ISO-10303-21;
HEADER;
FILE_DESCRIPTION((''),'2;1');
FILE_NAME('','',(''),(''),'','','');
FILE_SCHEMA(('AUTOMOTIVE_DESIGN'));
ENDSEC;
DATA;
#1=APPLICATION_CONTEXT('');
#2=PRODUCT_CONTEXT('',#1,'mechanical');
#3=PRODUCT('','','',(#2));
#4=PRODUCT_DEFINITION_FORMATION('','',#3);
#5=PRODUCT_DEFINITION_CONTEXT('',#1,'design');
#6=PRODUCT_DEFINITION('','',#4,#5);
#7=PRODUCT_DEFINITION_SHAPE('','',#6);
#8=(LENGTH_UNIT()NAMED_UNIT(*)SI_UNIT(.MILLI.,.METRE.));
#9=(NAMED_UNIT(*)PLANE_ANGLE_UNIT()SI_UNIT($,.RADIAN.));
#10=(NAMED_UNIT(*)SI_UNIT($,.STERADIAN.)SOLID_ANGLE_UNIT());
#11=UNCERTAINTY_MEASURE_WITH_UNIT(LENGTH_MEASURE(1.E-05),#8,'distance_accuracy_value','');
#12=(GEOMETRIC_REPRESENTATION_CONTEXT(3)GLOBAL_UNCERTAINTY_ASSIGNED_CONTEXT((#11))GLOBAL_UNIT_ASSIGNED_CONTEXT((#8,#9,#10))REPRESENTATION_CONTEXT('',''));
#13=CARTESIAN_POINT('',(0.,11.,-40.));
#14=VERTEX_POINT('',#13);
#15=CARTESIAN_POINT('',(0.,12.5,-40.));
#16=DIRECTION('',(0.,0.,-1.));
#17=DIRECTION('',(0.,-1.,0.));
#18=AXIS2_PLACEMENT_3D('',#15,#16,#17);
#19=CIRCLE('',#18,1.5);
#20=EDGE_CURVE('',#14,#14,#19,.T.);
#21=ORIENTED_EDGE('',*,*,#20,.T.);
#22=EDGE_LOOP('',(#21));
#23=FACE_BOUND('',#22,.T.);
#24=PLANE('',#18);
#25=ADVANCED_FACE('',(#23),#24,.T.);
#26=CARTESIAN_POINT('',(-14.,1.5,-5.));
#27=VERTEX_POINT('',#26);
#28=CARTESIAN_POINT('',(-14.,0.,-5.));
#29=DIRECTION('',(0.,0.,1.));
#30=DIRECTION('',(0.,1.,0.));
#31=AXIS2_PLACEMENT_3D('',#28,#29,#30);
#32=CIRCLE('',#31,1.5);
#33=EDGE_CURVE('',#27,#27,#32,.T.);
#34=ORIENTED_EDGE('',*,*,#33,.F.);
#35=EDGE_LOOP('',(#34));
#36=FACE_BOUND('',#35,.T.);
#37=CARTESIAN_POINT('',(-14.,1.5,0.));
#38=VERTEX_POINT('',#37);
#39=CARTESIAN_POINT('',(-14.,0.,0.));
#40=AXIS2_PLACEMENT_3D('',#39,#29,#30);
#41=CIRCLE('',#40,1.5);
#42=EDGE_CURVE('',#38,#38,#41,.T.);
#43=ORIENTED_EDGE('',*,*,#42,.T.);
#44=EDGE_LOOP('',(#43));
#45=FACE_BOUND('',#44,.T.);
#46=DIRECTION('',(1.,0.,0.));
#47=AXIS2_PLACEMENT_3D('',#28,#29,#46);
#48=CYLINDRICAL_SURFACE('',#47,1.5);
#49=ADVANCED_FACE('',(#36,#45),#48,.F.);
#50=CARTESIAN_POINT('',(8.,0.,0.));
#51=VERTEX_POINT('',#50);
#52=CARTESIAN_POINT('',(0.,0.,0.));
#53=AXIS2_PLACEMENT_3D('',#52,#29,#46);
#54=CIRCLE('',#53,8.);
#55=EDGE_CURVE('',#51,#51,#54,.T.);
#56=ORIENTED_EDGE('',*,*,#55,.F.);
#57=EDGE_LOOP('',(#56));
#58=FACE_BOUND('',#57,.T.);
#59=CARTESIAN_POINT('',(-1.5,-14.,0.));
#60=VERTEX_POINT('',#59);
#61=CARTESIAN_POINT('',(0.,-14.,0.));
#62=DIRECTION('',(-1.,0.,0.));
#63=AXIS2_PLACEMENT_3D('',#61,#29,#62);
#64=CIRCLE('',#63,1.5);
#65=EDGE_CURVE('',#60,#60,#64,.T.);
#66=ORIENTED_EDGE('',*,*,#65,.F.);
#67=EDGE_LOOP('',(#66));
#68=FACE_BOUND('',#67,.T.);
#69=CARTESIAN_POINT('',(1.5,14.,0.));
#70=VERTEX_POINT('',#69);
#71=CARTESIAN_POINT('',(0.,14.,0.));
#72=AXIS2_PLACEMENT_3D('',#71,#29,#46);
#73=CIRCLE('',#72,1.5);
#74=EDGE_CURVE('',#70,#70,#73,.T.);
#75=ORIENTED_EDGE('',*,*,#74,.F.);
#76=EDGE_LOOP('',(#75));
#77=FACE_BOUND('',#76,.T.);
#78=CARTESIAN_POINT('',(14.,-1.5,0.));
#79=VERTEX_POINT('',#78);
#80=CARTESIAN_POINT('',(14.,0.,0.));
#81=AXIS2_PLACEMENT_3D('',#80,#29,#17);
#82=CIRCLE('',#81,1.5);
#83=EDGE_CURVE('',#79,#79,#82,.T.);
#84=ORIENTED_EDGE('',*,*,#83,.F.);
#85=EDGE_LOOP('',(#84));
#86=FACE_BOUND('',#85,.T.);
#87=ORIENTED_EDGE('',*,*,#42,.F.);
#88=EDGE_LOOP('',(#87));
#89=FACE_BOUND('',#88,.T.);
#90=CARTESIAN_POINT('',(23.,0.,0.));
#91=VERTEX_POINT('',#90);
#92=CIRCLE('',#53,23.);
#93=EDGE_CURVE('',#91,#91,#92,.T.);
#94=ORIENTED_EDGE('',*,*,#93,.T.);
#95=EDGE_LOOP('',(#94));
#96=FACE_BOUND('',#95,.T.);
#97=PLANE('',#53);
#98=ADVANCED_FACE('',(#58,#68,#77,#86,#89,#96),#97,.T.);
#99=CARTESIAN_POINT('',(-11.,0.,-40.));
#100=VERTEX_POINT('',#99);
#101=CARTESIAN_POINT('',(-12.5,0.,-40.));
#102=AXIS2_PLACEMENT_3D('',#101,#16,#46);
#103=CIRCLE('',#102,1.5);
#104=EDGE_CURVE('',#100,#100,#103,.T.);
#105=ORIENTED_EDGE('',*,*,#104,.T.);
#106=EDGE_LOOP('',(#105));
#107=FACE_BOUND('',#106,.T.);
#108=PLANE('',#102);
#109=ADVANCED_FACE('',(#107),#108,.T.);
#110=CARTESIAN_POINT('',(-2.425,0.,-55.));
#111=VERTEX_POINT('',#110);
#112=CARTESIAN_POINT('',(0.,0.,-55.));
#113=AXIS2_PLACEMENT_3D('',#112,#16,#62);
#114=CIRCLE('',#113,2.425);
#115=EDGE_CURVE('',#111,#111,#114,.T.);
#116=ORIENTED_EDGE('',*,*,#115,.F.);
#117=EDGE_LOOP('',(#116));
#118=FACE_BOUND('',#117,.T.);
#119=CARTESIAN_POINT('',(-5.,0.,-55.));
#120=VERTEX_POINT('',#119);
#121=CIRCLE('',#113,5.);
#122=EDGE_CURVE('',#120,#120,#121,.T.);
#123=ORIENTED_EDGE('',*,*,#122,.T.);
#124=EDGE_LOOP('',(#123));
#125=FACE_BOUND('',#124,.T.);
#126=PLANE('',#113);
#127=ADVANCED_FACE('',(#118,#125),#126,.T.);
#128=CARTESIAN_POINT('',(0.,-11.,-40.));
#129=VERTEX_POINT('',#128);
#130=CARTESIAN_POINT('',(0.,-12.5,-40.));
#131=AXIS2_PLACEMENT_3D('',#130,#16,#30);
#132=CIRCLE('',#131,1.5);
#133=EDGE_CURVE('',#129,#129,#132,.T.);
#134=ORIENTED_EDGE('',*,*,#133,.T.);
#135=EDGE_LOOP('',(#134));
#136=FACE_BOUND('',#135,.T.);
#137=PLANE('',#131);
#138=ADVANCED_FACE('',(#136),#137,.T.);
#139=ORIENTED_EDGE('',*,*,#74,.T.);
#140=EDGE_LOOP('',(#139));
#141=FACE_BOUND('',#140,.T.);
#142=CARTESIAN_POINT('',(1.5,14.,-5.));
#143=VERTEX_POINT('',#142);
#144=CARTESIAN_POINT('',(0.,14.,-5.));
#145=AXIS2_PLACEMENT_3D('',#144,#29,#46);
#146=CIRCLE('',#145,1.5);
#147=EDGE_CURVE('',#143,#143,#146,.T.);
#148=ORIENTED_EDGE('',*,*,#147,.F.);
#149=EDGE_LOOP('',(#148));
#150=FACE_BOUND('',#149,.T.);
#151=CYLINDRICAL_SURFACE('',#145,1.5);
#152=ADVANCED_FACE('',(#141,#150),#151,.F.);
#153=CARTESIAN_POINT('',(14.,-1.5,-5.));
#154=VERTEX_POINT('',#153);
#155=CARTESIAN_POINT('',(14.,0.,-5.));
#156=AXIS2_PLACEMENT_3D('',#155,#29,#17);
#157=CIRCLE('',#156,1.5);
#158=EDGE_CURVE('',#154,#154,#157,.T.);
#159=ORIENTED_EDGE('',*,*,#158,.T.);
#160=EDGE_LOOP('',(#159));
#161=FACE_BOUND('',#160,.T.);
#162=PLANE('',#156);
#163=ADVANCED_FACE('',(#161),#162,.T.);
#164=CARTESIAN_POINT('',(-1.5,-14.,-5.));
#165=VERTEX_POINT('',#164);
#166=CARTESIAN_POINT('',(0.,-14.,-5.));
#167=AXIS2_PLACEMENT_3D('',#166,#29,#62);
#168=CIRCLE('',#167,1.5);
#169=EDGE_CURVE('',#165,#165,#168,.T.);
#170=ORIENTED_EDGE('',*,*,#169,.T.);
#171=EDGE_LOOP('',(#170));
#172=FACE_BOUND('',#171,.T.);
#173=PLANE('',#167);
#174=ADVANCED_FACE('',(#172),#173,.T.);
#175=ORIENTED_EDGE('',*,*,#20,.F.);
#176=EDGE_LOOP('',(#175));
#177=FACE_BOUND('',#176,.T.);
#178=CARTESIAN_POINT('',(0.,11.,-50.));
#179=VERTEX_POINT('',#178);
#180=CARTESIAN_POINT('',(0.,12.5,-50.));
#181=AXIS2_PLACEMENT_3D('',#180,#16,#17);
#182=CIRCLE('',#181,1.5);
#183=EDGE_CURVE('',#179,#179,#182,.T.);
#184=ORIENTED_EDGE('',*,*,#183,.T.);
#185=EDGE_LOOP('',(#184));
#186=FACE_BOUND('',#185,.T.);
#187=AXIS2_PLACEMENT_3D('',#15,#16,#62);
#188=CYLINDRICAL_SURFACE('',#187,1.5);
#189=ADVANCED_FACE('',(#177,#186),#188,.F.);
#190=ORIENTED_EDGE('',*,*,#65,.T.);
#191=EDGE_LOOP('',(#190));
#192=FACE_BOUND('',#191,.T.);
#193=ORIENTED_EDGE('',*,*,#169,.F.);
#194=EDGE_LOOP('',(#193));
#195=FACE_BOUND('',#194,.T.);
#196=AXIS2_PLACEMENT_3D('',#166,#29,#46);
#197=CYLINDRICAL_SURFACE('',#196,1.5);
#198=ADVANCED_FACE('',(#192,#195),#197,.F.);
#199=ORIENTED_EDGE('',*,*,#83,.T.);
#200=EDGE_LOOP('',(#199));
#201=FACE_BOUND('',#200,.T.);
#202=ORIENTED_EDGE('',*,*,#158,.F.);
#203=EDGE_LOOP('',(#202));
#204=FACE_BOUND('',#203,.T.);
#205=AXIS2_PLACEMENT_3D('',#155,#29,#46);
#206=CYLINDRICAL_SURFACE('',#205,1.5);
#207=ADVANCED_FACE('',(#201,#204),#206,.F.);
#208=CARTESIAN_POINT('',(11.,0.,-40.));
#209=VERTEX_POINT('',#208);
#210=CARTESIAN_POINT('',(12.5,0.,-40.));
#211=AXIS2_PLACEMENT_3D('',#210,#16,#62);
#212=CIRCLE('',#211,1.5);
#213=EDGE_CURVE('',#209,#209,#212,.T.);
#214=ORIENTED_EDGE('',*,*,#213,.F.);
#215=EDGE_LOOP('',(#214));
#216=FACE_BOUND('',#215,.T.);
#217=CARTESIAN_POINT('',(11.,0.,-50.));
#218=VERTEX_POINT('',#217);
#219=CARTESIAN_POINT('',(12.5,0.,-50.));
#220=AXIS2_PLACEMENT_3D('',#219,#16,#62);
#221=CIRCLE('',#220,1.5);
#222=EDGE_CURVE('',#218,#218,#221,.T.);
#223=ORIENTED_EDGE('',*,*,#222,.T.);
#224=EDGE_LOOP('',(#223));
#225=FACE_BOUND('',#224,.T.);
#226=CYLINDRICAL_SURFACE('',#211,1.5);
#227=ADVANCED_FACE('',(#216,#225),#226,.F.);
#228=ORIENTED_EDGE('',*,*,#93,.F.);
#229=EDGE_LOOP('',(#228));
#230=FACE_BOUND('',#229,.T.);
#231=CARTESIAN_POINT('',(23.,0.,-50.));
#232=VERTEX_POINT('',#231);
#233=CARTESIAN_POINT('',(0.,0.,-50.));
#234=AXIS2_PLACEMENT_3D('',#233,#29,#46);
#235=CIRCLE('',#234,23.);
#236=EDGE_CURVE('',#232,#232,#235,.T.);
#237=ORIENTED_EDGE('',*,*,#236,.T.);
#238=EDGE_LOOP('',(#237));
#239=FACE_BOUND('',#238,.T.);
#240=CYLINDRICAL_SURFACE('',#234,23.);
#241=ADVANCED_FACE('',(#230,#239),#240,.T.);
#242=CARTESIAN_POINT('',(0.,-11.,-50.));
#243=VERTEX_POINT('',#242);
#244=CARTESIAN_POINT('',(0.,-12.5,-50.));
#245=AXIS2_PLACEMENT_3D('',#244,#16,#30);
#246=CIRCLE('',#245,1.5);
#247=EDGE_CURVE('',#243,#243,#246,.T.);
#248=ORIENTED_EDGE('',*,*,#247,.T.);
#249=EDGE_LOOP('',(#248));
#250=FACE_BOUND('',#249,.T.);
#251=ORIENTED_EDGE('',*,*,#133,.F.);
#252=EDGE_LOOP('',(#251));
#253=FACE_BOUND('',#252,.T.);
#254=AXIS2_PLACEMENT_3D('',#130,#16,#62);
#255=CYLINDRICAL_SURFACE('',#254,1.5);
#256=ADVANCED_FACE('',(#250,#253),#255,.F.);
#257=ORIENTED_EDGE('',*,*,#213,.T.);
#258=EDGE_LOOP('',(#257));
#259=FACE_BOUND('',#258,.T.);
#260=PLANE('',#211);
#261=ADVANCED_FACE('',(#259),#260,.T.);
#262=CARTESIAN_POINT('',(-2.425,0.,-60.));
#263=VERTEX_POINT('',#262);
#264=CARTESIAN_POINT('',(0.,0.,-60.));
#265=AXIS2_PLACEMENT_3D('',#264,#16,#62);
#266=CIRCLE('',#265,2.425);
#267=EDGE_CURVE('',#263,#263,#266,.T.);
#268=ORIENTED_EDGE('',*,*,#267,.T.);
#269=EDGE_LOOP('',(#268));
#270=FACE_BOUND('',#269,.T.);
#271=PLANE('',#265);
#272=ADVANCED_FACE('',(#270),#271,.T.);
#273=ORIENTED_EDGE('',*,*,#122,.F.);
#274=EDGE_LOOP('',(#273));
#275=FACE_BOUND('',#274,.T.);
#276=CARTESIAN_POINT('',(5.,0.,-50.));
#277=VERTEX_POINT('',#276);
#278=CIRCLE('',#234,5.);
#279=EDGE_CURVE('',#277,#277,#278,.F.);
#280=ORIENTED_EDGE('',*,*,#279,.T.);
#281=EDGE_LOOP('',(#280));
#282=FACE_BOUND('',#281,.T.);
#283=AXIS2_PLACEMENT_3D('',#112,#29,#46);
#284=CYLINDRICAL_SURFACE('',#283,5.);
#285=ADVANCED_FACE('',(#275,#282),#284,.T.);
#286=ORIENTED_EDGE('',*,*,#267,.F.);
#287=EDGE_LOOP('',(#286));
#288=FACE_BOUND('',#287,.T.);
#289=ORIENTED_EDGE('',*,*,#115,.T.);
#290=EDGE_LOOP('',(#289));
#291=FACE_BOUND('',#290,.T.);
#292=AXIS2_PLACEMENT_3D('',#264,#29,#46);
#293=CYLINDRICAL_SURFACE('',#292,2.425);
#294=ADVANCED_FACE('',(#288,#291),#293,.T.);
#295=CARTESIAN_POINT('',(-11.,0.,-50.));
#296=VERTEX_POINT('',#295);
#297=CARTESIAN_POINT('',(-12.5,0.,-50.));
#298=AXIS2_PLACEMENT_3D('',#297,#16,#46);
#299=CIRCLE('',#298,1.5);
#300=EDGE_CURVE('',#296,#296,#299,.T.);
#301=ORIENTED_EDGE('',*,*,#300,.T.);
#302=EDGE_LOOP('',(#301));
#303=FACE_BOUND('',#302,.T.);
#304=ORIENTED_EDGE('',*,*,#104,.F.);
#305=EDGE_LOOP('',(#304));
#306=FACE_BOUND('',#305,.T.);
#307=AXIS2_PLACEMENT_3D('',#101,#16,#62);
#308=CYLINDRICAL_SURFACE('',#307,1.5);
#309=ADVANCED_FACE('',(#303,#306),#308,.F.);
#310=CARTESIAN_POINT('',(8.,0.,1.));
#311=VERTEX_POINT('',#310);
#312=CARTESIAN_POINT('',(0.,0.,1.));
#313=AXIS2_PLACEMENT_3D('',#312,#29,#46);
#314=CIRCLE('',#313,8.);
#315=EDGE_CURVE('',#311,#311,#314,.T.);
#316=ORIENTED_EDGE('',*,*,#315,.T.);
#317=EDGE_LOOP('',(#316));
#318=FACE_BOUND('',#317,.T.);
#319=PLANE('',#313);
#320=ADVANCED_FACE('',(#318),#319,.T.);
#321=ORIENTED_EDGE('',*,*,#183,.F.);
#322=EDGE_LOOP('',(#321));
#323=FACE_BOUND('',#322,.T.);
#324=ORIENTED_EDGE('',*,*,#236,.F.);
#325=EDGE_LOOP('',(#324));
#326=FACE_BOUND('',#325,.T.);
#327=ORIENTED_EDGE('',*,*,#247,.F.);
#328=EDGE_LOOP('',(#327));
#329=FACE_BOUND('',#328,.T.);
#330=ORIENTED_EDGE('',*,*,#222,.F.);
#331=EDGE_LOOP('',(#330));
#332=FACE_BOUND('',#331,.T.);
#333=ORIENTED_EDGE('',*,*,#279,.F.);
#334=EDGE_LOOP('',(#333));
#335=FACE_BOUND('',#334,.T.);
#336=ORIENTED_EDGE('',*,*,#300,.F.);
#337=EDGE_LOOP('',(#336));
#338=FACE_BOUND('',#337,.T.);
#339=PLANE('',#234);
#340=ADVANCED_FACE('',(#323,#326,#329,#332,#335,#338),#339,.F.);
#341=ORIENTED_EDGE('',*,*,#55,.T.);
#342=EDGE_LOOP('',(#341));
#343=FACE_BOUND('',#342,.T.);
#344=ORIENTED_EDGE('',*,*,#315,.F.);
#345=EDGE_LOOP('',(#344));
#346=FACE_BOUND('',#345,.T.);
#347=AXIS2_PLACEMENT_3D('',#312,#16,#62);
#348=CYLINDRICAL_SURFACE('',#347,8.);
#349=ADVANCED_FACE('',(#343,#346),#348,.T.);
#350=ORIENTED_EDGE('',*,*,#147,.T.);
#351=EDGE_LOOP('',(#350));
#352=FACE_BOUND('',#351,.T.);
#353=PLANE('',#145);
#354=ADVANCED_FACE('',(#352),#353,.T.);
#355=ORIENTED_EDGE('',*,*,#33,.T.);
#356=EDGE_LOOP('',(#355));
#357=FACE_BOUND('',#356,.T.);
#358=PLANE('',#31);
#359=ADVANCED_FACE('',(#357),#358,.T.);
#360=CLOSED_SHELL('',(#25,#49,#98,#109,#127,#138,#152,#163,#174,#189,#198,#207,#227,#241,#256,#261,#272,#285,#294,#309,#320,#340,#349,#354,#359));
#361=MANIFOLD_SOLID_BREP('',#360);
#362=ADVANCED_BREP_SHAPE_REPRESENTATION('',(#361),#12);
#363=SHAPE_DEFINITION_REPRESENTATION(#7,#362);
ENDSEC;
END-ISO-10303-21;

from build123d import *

# Parameters (mm, degrees)
SKETCH1_R           = 23
BOSS_EXTRUDE1_DEPTH = 50
SKETCH2_R           = 8
BOSS_EXTRUDE2_DEPTH = 1
SKETCH5_R           = 1.5
CUT_EXTRUDE2_DEPTH  = 10
SKETCH6_R           = 1.5
CUT_EXTRUDE3_DEPTH  = 5
CIRPATTERN1_COUNT   = 4
CIRPATTERN2_COUNT   = 4
SKETCH7_R           = 5
BOSS_EXTRUDE3_DEPTH = 5
SKETCH8_R           = 2.425
BOSS_EXTRUDE4_DEPTH = 5


with BuildPart() as part:
    # Sketch1 → Boss-Extrude1 (new body)
    with BuildSketch(Plane.XY):
        Circle(SKETCH1_R)
    extrude(amount=-BOSS_EXTRUDE1_DEPTH)

    # Sketch2 → Boss-Extrude2 (add)
    with BuildSketch(Plane.XY):
        Circle(SKETCH2_R)
    extrude(amount=BOSS_EXTRUDE2_DEPTH)

    # Sketch5 → Cut-Extrude2 (cut)
    with BuildSketch(Plane(origin=(0, 0, -50), x_dir=(-1, 0, 0), z_dir=(0, 0, -1))):
        with Locations((-12.5, 0)):
            Circle(SKETCH5_R)
    cut_extrude2 = extrude(amount=-CUT_EXTRUDE2_DEPTH, mode=Mode.SUBTRACT)

    # Sketch6 → Cut-Extrude3 (cut)
    with BuildSketch(Plane.XY):
        with Locations((0, 14)):
            Circle(SKETCH6_R)
    cut_extrude3 = extrude(amount=-CUT_EXTRUDE3_DEPTH, mode=Mode.SUBTRACT)

    # CirPattern1: Cut-Extrude3 ×4 about axis
    cirpattern1_axis = Axis((0, 0, 0), (0, 0, 1))
    for i in range(1, CIRPATTERN1_COUNT):
        add(cut_extrude3.rotate(cirpattern1_axis, i * 360 / CIRPATTERN1_COUNT), mode=Mode.SUBTRACT)

    # CirPattern2: Cut-Extrude2 ×4 about axis
    cirpattern2_axis = Axis((0, 0, 0), (0, 0, 1))
    for i in range(1, CIRPATTERN2_COUNT):
        add(cut_extrude2.rotate(cirpattern2_axis, i * 360 / CIRPATTERN2_COUNT), mode=Mode.SUBTRACT)

    # Sketch7 → Boss-Extrude3 (add)
    with BuildSketch(Plane(origin=(0, 0, -50), x_dir=(-1, 0, 0), z_dir=(0, 0, -1))):
        Circle(SKETCH7_R)
    extrude(amount=BOSS_EXTRUDE3_DEPTH)

    # Sketch8 → Boss-Extrude4 (add)
    with BuildSketch(Plane(origin=(0, 0, -55), x_dir=(-1, 0, 0), z_dir=(0, 0, -1))):
        Circle(SKETCH8_R)
    extrude(amount=BOSS_EXTRUDE4_DEPTH)


solid = part.part
